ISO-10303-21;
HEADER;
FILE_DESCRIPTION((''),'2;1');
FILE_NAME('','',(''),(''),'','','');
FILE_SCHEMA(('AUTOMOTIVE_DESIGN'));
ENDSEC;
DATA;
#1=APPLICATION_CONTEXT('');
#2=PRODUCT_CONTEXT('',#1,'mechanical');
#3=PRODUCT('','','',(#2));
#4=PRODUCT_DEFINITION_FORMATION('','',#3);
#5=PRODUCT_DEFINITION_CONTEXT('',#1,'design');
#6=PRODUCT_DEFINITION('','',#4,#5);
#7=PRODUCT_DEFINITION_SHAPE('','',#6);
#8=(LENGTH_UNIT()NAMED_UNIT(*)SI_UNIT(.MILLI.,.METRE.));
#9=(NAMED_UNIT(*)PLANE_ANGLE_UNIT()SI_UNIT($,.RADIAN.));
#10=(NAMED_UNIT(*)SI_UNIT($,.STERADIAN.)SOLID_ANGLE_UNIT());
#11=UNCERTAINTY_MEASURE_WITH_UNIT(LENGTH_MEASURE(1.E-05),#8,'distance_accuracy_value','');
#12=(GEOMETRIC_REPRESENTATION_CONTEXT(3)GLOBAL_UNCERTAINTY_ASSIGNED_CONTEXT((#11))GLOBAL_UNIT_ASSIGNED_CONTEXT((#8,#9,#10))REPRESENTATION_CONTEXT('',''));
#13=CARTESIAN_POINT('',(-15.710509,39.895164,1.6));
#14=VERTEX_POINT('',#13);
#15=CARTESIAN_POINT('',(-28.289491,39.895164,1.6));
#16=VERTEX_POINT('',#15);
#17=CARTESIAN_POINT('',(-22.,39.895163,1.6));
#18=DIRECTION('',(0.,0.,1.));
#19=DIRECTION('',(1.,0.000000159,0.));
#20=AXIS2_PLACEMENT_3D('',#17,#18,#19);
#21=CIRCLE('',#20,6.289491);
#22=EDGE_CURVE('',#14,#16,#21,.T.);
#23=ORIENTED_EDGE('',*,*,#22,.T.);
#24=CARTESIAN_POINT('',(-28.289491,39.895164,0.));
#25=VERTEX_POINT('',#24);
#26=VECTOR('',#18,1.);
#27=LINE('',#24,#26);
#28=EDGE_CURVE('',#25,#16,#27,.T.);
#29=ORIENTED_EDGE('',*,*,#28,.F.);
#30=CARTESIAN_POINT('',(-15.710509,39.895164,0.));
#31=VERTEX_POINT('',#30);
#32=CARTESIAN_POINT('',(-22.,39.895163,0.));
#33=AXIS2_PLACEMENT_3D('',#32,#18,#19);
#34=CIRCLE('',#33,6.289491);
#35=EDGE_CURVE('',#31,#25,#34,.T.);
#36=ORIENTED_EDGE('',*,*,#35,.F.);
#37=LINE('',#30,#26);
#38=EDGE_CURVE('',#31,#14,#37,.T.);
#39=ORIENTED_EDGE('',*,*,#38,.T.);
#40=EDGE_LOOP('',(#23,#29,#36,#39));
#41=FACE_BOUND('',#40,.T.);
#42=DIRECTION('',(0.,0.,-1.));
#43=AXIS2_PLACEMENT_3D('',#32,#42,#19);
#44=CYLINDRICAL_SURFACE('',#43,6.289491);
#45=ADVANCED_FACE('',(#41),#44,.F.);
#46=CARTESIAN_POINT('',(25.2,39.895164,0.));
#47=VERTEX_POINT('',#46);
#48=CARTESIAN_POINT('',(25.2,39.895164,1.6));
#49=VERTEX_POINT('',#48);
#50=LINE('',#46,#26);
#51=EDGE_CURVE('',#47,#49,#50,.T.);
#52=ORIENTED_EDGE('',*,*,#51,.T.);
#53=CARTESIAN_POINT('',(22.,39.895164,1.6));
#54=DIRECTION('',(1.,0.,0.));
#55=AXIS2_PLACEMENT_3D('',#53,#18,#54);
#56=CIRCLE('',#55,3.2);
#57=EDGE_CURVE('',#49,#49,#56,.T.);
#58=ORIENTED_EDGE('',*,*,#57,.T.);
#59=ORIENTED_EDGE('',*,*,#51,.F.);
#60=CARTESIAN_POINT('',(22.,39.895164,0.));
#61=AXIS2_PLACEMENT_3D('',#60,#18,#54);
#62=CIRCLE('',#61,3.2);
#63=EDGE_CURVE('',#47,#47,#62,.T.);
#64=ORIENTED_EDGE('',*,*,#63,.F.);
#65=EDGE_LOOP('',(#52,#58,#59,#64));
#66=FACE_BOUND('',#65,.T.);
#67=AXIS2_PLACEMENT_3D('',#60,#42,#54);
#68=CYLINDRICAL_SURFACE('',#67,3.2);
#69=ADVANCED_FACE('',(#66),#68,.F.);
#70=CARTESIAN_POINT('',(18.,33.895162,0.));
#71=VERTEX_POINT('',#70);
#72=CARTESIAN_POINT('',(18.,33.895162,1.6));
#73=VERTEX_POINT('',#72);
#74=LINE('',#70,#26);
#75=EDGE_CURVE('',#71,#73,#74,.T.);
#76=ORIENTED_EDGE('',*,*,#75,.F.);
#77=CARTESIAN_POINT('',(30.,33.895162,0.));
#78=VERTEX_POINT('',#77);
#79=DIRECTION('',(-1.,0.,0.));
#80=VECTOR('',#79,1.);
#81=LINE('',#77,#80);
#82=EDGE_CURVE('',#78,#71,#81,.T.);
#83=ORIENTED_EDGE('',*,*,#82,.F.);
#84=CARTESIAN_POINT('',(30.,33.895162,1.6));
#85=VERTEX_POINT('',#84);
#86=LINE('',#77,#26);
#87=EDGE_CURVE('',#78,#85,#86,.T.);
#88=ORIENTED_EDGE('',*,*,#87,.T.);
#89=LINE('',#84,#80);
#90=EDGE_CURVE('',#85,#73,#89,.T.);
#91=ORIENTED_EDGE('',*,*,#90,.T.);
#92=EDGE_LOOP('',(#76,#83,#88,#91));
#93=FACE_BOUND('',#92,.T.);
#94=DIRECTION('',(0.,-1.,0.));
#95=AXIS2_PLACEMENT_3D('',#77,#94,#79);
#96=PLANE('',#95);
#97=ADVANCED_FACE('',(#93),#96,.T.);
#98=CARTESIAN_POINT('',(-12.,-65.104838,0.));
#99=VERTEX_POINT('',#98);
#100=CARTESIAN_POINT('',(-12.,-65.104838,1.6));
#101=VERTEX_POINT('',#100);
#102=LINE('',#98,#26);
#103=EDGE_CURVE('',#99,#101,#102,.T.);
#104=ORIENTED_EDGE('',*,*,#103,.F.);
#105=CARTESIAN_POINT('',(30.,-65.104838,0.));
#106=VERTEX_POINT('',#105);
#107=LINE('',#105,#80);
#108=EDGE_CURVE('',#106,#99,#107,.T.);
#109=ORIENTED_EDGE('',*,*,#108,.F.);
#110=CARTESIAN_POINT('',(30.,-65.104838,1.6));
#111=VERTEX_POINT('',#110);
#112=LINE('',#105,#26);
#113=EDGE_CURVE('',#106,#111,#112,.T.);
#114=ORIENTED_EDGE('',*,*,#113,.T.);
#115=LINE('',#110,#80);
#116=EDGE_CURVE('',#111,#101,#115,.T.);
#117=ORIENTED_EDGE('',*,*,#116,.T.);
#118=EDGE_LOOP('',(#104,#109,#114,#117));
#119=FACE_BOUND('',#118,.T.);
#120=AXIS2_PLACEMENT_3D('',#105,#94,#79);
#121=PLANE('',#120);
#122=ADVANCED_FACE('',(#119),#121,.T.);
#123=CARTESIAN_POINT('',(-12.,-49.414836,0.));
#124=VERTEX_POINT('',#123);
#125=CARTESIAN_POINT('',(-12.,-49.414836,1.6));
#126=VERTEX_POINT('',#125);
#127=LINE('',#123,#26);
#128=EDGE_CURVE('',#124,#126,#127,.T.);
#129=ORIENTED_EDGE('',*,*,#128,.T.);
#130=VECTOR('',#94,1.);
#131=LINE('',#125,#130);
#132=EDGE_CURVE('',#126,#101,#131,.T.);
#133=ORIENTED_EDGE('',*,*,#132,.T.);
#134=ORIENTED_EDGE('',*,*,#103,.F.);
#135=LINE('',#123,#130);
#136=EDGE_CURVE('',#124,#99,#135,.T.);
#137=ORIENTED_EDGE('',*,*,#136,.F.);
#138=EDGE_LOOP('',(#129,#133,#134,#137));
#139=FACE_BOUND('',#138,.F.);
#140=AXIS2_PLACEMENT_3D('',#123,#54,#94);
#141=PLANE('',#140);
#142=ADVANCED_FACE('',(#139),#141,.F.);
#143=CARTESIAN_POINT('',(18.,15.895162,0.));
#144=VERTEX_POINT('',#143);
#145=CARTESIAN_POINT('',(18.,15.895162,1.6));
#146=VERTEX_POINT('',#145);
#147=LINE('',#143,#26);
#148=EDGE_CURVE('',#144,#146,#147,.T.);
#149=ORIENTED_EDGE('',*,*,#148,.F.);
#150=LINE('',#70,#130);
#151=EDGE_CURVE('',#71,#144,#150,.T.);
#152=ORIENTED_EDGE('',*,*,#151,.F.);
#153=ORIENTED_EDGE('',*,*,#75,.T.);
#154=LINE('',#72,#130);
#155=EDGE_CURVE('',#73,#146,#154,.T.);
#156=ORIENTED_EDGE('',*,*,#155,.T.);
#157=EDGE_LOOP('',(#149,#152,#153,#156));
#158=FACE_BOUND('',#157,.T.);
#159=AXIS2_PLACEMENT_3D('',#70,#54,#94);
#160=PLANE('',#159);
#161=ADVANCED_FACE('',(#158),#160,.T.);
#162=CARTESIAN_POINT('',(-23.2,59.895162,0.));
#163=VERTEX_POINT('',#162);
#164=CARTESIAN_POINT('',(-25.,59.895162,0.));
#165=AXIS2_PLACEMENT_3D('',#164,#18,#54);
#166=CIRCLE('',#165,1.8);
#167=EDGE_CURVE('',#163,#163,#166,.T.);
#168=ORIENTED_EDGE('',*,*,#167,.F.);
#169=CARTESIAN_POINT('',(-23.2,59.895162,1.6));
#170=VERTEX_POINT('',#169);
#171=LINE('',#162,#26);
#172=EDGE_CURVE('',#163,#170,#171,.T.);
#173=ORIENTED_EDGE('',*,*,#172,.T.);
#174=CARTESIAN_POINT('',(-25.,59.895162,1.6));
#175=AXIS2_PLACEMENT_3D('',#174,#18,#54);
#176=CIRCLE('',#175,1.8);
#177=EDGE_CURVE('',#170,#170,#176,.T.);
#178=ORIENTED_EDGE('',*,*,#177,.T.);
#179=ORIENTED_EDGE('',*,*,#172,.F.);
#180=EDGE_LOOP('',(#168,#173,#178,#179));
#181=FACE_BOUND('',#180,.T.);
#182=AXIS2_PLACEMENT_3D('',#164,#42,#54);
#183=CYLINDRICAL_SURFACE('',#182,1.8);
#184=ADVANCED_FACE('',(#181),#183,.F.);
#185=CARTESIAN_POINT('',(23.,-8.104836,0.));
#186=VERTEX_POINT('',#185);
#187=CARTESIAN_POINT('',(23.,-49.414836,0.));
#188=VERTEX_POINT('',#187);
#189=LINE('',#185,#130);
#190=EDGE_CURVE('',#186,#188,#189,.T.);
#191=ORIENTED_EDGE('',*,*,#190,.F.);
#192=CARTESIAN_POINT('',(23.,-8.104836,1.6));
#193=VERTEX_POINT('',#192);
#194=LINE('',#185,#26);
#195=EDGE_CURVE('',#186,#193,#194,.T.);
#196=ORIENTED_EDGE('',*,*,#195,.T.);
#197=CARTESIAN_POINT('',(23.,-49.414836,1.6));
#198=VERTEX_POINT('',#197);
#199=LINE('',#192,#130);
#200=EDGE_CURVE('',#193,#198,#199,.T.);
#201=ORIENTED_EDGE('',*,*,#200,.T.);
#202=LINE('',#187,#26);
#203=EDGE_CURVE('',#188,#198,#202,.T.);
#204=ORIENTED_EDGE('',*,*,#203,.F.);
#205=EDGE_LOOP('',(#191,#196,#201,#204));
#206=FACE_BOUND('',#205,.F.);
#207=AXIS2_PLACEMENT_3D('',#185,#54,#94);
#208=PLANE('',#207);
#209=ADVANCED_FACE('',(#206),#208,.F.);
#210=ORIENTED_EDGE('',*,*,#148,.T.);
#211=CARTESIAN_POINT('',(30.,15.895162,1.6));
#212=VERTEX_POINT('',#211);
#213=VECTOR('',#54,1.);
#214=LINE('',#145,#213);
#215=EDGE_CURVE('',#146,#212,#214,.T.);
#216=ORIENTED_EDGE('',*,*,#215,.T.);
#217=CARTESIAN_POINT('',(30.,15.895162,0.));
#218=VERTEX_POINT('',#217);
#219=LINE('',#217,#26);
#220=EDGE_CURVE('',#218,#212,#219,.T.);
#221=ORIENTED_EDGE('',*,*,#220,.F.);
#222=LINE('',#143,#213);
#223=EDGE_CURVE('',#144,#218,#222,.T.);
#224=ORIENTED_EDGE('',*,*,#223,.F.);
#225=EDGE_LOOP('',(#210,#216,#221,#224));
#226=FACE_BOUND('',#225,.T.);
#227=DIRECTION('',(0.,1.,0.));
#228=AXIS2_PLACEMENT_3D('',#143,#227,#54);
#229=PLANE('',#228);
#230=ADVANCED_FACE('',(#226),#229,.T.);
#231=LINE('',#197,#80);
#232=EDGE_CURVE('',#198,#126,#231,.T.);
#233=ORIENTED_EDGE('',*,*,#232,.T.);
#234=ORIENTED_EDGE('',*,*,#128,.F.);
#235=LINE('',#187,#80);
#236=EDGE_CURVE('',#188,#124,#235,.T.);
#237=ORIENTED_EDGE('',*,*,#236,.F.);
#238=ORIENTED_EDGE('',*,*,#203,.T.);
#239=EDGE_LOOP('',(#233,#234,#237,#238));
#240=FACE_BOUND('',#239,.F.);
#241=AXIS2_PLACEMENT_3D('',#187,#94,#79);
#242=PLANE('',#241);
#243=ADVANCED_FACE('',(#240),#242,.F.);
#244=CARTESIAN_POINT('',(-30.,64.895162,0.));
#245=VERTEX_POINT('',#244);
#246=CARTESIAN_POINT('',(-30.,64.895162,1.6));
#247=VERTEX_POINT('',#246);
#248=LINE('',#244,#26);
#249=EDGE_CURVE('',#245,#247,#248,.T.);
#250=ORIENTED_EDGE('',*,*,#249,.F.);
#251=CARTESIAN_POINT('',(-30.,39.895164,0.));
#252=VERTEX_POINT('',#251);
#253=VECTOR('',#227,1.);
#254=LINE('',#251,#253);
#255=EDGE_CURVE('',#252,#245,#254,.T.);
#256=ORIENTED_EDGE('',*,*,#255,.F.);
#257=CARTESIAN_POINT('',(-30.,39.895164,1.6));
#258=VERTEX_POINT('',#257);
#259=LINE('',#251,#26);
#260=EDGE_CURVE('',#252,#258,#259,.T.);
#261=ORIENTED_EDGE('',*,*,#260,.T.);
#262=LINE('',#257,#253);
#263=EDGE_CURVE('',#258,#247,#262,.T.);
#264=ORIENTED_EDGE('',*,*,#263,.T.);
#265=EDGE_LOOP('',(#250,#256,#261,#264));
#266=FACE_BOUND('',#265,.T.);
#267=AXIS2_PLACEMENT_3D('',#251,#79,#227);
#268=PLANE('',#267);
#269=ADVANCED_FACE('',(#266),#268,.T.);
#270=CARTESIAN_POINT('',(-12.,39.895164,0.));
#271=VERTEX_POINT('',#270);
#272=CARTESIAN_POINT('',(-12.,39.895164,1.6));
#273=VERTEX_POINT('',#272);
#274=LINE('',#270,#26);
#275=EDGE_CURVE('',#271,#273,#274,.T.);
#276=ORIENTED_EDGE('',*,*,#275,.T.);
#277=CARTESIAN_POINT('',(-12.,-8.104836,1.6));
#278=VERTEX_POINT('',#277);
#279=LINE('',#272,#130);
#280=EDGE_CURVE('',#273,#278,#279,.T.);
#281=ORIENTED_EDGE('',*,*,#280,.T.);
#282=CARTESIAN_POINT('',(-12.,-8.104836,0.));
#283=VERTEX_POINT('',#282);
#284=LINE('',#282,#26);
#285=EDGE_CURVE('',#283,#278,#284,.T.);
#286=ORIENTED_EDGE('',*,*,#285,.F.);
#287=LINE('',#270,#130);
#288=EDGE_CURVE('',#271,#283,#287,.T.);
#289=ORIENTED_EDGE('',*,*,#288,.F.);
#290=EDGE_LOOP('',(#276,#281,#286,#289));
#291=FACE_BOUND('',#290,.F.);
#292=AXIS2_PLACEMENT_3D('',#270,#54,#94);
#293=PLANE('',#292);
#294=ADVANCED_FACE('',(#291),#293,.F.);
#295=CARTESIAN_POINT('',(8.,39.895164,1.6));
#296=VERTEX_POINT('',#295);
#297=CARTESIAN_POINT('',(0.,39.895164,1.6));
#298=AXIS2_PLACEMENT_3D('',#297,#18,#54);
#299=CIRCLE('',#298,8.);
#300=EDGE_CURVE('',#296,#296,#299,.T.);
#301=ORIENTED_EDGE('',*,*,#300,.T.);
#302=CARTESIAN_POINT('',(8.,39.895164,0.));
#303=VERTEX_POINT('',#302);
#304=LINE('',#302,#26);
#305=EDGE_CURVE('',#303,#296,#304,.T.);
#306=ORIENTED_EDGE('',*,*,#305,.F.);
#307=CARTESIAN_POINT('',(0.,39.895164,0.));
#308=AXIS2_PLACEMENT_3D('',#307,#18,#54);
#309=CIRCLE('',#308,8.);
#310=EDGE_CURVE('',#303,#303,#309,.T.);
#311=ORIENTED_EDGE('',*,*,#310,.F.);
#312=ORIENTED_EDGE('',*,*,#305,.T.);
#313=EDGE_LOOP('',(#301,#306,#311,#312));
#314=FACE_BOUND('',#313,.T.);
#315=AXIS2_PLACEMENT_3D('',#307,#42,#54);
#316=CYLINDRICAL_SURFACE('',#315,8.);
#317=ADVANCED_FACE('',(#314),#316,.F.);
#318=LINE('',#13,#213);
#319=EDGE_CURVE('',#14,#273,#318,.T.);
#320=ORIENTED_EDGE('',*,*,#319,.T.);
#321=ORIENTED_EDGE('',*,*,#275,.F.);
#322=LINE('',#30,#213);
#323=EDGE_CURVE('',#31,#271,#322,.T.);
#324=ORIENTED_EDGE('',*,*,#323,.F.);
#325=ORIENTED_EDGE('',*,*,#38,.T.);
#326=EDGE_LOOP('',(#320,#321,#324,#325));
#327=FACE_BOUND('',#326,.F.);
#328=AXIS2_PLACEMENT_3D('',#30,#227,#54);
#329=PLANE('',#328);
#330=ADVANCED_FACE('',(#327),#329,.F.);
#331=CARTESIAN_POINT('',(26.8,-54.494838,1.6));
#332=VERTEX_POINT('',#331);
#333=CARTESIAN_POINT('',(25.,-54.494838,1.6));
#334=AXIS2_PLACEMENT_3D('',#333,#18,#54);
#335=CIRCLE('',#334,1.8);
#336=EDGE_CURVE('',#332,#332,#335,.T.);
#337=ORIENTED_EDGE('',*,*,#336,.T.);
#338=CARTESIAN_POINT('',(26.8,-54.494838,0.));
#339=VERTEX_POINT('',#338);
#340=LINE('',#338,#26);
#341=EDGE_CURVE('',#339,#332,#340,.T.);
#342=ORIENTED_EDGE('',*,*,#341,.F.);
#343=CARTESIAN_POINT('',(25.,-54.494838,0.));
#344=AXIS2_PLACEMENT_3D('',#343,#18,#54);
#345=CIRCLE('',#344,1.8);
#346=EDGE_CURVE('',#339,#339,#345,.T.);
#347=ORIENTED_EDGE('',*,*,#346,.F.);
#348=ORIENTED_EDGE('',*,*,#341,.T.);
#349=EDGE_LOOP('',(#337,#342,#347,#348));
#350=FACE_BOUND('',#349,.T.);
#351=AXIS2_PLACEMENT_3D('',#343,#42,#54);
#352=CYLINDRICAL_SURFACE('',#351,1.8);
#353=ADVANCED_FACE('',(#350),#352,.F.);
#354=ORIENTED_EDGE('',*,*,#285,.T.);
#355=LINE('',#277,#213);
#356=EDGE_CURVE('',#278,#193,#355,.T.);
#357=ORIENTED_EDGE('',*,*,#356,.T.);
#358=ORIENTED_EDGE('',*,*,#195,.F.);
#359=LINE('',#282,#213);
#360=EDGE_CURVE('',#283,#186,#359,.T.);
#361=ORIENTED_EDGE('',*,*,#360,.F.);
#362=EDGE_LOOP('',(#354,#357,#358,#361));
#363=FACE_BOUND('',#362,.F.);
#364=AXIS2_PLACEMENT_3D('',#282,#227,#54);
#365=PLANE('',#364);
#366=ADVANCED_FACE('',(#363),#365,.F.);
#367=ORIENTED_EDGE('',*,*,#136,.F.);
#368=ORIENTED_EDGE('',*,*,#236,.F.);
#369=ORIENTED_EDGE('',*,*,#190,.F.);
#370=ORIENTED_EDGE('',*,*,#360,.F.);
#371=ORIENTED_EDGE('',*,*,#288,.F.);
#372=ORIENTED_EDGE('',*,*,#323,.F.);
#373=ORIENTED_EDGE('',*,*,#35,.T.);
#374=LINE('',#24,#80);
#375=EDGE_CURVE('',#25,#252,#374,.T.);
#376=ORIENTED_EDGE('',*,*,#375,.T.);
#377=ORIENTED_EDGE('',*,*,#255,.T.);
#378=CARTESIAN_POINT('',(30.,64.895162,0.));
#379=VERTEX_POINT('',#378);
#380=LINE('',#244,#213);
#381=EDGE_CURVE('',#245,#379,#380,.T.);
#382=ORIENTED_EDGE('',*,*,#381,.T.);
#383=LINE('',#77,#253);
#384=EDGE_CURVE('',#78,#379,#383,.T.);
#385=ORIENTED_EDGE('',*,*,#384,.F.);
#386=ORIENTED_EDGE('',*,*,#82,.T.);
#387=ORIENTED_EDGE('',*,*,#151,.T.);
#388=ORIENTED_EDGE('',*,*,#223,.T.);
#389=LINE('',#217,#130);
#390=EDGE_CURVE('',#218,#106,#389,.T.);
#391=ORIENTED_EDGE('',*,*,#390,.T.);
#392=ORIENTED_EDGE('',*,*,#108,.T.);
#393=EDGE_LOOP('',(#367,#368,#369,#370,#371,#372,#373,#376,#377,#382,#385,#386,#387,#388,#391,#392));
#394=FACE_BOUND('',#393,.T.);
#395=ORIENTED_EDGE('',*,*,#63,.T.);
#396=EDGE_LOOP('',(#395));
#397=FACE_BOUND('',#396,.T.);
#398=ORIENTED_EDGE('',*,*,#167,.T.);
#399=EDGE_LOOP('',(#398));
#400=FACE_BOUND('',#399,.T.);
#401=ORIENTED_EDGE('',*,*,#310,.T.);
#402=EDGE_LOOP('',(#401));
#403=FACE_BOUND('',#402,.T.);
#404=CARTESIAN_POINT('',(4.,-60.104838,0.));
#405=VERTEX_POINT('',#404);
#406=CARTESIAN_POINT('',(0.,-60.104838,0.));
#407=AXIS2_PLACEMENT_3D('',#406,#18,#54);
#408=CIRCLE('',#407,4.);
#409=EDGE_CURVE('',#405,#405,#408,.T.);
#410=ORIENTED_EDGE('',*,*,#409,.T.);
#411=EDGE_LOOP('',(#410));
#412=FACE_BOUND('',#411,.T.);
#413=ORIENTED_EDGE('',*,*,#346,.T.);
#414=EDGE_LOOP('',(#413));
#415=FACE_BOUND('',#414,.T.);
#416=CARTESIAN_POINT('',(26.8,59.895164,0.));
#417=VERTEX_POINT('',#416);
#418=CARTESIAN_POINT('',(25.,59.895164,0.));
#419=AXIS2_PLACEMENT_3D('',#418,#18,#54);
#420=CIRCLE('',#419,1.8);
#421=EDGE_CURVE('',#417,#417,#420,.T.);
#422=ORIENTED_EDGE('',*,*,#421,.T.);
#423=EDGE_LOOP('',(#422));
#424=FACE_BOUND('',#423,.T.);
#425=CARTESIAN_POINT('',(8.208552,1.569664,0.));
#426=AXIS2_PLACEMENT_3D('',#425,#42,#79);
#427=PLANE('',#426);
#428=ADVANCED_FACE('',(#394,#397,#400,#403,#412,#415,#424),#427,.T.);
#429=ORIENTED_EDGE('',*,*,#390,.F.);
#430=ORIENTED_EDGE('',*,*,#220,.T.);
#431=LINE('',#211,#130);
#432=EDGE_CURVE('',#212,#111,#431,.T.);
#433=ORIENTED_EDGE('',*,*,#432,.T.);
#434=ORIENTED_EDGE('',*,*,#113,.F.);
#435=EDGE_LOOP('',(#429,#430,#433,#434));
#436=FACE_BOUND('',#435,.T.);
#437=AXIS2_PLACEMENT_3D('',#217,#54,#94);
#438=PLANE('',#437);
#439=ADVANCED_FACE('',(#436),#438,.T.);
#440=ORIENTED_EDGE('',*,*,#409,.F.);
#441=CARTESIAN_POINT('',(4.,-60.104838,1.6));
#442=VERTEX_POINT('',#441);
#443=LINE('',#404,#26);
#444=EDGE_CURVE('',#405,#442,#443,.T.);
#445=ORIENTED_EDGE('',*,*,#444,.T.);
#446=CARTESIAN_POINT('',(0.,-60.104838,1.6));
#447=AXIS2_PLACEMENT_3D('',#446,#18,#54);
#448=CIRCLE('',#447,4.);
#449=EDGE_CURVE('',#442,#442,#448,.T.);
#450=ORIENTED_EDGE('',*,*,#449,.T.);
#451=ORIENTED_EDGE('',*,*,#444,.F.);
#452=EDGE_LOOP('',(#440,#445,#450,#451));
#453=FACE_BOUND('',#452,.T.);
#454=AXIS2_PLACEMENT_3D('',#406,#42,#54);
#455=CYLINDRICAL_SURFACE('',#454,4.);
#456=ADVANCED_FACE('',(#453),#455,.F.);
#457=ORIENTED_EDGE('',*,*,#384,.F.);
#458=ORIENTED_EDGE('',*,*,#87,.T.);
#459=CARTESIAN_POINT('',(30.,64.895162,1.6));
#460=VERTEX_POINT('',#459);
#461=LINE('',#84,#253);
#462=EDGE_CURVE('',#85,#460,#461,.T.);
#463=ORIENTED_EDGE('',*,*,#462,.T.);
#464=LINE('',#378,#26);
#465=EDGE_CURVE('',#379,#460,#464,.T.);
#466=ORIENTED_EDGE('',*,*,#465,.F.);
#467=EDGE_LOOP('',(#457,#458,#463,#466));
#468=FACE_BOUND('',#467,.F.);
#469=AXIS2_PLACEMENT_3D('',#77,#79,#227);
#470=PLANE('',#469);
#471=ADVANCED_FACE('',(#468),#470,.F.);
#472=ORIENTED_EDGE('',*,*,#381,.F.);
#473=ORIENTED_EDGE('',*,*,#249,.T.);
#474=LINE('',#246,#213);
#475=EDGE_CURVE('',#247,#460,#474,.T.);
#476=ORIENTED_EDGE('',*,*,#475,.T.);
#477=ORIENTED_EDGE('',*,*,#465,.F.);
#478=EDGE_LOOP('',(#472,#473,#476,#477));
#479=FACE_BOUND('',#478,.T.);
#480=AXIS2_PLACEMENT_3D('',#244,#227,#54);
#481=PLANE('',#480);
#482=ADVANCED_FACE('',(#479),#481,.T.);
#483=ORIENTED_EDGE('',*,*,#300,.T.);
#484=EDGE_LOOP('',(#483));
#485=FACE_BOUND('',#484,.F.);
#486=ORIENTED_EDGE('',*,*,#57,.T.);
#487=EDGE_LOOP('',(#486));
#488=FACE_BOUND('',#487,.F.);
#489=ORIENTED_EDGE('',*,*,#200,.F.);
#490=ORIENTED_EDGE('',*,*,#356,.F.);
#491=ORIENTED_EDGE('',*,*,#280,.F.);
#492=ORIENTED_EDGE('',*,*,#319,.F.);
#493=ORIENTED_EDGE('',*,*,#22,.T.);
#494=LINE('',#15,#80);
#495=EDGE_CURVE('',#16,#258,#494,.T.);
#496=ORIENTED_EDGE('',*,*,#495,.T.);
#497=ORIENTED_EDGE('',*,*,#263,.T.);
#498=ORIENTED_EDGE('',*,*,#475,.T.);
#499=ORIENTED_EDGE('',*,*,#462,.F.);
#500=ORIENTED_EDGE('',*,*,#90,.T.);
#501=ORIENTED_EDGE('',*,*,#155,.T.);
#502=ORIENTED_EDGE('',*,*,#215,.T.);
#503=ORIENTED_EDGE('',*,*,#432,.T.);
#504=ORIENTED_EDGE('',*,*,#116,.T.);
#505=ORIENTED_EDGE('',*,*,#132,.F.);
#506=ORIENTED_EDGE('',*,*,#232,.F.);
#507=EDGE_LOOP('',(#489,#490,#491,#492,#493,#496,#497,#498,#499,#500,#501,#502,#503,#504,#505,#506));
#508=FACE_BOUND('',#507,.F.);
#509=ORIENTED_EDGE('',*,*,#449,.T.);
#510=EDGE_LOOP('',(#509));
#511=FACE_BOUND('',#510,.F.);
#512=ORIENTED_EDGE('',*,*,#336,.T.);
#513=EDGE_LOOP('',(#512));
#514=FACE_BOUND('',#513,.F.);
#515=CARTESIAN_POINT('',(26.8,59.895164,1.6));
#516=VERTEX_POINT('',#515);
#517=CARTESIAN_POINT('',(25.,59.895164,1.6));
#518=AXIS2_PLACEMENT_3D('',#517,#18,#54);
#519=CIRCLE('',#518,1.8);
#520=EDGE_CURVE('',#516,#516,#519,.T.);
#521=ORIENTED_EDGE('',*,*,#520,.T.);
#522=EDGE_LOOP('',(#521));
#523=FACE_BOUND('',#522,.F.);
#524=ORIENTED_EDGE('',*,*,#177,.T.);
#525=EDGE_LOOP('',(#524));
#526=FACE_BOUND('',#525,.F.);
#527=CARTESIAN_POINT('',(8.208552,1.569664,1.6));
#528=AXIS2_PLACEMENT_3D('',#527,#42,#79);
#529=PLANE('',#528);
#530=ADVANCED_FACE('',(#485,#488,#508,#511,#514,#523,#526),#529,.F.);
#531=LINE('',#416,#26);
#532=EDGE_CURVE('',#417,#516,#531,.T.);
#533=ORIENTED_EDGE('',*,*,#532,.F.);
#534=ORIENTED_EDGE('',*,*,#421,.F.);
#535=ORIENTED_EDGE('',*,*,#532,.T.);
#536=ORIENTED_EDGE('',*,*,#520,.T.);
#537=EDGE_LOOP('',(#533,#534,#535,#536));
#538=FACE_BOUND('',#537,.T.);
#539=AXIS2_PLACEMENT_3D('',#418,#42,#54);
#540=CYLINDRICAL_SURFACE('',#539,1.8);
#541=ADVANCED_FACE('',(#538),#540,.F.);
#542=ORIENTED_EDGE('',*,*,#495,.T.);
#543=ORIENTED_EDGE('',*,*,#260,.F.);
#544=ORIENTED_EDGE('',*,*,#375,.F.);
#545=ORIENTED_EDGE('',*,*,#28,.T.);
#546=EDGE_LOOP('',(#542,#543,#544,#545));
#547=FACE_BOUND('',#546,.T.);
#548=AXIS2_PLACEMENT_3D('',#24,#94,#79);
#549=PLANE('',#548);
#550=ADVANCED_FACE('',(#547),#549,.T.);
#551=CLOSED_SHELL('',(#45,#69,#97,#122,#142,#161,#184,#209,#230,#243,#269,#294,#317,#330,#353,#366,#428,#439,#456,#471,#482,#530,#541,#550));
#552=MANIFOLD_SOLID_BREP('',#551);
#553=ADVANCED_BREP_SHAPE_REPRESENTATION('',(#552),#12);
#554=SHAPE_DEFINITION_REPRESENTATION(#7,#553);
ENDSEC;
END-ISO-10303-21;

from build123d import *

# Parameters (mm, degrees)
SKETCH_R   = 8
SKETCH_R_2 = 3.2
SKETCH_R_3 = 4
SKETCH_R_4 = 1.8
PAD_DEPTH  = 1.6


with BuildPart() as part:
    # Sketch → Pad (new body)
    with BuildSketch(Plane.XY):
        with BuildLine():
            ThreePointArc((-15.710509, 39.895164), (-22, 46.184654), (-28.289491, 39.895164))
            Line((-28.289491, 39.895164), (-30, 39.895164))
            Line((-30, 39.895164), (-30, 64.895162))
            Line((-30, 64.895162), (30, 64.895162))
            Line((30, 33.895162), (30, 64.895162))
            Line((30, 33.895162), (18, 33.895162))
            Line((18, 33.895162), (18, 15.895162))
            Line((18, 15.895162), (30, 15.895162))
            Line((30, 15.895162), (30, -65.104838))
            Line((30, -65.104838), (-12, -65.104838))
            Line((-12, -49.414836), (-12, -65.104838))
            Line((23, -49.414836), (-12, -49.414836))
            Line((23, -8.104836), (23, -49.414836))
            Line((3.490575, -8.104836), (23, -8.104836))
            Line((-3.490575, -8.104836), (3.490575, -8.104836))
            Line((-12, -8.104836), (-3.490575, -8.104836))
            Line((-12, 39.895164), (-12, -8.104836))
            Line((-15.710509, 39.895164), (-12, 39.895164))
        make_face()
        with Locations((0, 39.895164)):
            Circle(SKETCH_R, mode=Mode.SUBTRACT)
        with Locations((22, 39.895164)):
            Circle(SKETCH_R_2, mode=Mode.SUBTRACT)
        with Locations((0, -60.104838)):
            Circle(SKETCH_R_3, mode=Mode.SUBTRACT)
        with Locations((25, -54.494838)):
            Circle(SKETCH_R_4, mode=Mode.SUBTRACT)
        with Locations((25, 59.895164)):
            Circle(SKETCH_R_4, mode=Mode.SUBTRACT)
        with Locations((-25, 59.895162)):
            Circle(SKETCH_R_4, mode=Mode.SUBTRACT)
    extrude(amount=PAD_DEPTH)


solid = part.part
